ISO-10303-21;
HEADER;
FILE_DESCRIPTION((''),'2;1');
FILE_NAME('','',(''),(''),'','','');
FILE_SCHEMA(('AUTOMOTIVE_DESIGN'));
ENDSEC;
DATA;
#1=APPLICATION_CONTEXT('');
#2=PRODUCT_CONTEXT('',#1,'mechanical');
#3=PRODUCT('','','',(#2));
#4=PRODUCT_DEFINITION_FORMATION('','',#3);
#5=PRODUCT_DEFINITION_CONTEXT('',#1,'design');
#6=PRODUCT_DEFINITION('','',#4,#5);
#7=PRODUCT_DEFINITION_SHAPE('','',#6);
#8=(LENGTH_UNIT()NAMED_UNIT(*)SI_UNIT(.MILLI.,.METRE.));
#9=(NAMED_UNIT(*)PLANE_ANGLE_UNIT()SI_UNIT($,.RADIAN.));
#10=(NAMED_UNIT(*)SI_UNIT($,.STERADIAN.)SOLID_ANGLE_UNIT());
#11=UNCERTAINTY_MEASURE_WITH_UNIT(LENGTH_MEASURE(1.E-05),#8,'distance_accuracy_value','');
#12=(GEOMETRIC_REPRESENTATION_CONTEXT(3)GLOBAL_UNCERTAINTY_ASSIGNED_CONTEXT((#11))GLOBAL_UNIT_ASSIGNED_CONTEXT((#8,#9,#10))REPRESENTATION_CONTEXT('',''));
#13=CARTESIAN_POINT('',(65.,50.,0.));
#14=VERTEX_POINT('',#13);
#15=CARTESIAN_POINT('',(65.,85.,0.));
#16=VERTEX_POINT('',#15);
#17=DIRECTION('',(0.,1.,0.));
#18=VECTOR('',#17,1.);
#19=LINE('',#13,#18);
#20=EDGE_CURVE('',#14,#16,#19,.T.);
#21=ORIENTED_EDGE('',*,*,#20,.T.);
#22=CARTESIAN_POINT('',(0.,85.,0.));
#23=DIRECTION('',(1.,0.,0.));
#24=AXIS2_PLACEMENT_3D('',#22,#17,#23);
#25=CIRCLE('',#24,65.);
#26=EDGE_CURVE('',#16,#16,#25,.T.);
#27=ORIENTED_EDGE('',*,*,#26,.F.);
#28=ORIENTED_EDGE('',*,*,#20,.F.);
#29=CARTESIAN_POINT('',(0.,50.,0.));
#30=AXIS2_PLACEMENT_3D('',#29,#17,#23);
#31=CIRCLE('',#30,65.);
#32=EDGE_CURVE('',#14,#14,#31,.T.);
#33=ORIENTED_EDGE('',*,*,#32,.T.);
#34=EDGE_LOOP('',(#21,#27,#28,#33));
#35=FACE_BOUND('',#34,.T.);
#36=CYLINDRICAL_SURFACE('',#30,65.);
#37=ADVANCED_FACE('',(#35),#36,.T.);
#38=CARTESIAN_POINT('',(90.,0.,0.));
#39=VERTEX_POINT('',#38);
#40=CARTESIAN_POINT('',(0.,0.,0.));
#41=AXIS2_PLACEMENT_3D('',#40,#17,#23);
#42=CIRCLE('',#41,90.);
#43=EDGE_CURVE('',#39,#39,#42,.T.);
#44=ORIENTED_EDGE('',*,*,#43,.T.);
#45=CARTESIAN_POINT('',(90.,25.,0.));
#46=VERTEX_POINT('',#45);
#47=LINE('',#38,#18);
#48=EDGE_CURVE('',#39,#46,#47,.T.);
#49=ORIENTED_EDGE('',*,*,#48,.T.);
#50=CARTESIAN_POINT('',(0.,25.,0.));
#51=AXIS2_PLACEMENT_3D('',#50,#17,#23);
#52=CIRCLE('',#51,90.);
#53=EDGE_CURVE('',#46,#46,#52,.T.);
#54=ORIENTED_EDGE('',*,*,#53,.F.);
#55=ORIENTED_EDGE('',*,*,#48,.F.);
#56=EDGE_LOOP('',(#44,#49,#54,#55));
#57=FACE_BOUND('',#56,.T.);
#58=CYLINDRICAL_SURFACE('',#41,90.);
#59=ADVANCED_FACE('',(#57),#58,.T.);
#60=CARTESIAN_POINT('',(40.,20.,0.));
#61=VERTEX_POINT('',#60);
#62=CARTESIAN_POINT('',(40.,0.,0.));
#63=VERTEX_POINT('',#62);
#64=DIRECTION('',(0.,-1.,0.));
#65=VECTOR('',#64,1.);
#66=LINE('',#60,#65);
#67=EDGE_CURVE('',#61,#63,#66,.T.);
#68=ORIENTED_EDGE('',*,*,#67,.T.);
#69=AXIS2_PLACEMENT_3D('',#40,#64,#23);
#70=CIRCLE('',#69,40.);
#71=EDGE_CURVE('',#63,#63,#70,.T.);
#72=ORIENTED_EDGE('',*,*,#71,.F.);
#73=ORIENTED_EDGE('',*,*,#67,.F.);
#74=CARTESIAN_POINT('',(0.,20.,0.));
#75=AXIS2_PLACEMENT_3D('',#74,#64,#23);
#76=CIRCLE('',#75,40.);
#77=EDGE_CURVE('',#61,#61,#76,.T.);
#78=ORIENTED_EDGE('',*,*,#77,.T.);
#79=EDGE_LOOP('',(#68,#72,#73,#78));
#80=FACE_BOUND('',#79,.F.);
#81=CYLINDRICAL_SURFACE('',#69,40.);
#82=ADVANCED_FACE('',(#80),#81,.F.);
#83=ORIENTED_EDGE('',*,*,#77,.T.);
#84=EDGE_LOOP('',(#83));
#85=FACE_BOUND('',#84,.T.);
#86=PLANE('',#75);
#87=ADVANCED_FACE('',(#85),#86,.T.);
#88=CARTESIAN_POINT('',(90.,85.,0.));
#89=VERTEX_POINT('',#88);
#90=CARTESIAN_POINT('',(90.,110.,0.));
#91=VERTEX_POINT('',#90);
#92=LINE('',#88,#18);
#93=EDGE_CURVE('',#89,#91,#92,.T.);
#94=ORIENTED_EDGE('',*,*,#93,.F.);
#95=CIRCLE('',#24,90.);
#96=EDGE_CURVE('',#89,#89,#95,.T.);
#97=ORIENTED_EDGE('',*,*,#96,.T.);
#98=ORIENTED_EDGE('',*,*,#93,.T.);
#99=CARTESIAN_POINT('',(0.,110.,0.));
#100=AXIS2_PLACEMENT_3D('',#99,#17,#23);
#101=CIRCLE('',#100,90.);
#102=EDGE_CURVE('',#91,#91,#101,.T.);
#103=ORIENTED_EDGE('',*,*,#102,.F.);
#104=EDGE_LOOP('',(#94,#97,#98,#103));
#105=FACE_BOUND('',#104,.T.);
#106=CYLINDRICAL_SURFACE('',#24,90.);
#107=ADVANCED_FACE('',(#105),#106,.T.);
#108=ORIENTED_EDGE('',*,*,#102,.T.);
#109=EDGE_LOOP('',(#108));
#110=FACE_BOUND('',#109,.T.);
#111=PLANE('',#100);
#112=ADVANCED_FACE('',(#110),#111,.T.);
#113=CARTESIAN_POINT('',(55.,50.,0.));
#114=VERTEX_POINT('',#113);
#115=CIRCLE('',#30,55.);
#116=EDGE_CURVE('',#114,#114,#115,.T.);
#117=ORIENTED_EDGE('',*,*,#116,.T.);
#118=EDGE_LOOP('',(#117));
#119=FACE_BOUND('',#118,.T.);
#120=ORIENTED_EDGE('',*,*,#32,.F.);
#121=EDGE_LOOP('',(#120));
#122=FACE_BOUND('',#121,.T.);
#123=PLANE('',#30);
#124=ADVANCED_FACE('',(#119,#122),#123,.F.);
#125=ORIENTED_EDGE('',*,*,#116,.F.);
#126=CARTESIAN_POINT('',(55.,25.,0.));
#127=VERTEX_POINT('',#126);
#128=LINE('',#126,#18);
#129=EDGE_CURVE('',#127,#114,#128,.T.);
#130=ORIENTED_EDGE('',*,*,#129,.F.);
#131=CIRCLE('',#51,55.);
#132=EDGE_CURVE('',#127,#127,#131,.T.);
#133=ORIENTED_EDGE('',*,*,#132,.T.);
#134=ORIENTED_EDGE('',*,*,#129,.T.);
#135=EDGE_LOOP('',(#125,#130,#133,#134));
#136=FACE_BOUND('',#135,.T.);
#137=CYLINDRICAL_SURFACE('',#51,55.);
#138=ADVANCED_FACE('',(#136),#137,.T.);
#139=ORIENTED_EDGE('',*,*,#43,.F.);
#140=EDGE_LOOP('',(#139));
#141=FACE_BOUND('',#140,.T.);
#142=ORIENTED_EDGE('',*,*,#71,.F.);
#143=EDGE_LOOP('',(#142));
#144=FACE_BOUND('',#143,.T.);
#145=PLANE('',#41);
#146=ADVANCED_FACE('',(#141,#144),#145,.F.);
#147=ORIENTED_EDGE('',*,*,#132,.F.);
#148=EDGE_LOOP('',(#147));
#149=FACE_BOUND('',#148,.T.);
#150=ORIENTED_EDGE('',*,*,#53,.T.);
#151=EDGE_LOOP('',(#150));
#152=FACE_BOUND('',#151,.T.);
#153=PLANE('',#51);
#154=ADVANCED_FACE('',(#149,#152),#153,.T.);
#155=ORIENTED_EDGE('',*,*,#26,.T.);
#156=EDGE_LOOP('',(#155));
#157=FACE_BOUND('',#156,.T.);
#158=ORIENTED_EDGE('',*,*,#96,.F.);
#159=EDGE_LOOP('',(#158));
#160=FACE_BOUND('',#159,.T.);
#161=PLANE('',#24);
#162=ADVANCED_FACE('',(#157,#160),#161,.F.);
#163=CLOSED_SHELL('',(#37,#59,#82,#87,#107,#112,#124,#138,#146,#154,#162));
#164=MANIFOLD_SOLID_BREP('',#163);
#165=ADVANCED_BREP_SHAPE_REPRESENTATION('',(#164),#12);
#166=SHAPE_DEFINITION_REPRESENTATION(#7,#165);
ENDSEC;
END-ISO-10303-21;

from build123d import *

# Parameters (mm, degrees)
F2_R     = 40
F3_DEPTH = 20


with BuildPart() as f1:
    # F0 (on Top) → F1 (revolve)
    with BuildSketch(Plane.XY):
        Polygon((0, 110), (0, 0), (90, 0), (90, 25), (55, 25), (55, 50), (65, 50), (65, 85), (90, 85), (90, 110), align=None)
    revolve(axis=Axis((0, 55, 0), (0, 1, 0)))

    # F2 (on face) → F3 (cut, symmetric)
    with BuildSketch(Plane.XZ):
        Circle(F2_R)
    extrude(amount=F3_DEPTH, both=True, mode=Mode.SUBTRACT)


solid = f1.part
